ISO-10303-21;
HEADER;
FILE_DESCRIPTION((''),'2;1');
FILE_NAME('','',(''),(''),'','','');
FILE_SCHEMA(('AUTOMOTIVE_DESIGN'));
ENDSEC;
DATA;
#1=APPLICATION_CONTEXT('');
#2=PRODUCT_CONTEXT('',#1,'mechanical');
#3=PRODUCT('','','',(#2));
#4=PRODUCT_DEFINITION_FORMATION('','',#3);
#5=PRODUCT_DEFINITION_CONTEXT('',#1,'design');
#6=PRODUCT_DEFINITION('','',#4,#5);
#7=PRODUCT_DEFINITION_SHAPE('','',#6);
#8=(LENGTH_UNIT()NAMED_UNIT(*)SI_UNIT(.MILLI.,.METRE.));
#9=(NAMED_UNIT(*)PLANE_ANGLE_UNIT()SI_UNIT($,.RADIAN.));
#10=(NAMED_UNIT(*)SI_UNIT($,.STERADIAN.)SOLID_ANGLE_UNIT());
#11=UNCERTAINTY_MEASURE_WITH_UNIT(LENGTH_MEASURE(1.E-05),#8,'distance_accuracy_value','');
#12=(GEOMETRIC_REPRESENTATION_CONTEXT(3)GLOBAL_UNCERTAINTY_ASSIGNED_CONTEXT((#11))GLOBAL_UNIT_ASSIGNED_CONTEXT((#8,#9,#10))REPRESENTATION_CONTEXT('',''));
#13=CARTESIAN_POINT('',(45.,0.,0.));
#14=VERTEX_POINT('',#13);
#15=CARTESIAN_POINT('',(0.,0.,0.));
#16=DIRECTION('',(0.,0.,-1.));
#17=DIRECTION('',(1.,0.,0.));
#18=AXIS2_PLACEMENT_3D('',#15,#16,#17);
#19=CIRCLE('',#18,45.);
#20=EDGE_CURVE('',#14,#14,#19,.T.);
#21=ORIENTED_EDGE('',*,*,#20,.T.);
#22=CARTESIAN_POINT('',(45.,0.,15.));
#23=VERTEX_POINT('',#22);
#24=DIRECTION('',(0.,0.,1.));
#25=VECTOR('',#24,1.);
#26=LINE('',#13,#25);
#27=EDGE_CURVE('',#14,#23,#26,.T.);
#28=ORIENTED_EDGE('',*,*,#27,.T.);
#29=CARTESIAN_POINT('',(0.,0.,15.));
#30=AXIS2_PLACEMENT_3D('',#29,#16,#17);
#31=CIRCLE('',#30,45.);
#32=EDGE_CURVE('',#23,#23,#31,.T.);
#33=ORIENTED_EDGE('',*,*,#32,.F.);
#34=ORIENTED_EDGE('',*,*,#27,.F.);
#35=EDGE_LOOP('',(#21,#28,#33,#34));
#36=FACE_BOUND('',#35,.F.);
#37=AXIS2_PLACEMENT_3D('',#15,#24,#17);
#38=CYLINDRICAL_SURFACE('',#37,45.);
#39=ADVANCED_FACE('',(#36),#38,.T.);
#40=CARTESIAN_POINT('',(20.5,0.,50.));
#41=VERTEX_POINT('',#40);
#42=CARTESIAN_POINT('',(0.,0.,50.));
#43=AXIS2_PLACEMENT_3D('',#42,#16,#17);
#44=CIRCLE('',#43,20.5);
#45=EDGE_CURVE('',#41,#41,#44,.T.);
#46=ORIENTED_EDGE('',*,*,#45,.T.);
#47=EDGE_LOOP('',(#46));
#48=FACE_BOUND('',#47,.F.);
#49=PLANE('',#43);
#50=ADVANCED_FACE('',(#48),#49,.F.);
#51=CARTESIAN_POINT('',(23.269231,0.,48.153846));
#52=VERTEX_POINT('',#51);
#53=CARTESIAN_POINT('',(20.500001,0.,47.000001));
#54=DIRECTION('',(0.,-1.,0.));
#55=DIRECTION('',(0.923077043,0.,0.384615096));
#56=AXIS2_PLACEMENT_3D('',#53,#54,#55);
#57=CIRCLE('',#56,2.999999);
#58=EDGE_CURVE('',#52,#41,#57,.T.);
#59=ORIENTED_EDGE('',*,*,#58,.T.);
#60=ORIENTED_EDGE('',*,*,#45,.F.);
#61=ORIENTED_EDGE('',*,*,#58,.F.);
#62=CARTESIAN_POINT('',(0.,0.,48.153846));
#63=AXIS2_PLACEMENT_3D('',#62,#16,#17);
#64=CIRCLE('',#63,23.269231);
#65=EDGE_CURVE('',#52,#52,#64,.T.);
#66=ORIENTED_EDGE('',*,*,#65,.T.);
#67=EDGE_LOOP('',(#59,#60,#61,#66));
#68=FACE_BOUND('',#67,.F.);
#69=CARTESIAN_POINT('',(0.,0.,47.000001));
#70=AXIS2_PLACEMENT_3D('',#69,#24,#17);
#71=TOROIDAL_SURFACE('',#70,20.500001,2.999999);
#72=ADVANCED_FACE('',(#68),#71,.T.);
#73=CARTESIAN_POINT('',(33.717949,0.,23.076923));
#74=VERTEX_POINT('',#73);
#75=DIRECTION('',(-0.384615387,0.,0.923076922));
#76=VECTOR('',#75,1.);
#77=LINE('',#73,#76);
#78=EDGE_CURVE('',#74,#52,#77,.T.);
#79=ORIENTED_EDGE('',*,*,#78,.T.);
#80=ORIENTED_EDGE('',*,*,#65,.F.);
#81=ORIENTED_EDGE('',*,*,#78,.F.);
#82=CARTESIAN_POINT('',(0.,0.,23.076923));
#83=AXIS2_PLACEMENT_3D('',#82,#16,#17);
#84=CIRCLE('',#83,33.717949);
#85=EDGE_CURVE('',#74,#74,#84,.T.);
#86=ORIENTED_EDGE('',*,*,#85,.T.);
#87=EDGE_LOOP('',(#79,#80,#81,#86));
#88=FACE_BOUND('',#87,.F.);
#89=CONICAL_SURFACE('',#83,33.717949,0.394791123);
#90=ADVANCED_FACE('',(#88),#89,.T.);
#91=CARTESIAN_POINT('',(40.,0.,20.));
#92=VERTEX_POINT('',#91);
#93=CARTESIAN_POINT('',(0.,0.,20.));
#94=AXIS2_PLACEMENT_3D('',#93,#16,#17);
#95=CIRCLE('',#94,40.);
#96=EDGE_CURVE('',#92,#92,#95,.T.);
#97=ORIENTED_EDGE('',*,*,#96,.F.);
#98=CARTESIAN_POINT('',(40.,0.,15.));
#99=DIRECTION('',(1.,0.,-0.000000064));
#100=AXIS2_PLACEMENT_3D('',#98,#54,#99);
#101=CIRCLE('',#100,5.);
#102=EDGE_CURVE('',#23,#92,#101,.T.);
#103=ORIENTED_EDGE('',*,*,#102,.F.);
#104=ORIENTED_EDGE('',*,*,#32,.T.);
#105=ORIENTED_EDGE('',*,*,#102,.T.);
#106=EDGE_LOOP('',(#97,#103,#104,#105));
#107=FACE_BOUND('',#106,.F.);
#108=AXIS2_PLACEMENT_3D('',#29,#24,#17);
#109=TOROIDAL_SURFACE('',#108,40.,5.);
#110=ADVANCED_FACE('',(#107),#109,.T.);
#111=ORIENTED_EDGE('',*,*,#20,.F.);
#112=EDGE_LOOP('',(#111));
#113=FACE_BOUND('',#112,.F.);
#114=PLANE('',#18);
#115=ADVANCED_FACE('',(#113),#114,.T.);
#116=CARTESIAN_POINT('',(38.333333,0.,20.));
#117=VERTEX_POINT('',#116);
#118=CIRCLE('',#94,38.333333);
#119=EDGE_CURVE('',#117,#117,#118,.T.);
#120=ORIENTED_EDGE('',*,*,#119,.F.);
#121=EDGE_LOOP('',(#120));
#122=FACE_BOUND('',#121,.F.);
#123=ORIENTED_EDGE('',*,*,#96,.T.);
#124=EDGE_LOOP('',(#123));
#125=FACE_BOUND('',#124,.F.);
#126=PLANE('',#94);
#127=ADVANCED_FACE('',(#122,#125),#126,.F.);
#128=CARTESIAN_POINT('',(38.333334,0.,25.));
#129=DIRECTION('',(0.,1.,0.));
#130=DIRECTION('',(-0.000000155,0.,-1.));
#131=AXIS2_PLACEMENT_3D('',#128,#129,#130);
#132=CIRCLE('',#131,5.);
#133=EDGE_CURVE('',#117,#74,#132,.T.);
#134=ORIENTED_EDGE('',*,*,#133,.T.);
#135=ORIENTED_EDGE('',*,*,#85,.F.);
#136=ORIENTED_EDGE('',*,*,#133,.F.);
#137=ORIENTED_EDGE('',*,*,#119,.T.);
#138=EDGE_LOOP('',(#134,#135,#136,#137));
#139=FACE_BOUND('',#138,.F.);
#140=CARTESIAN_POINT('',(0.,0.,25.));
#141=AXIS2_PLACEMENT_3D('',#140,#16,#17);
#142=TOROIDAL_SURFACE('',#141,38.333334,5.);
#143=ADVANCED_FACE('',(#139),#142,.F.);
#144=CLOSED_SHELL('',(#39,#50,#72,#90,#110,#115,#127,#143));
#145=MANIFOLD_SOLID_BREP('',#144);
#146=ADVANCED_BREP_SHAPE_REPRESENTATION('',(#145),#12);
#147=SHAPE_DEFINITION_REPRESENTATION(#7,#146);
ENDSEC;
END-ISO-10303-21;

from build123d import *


with BuildPart() as f1:
    # F0 (on Front) → F1 (revolve)
    with BuildSketch(Plane.XZ):
        with BuildLine():
            Line((20.5, 50), (0, 50))
            Line((0, 50), (0, 0))
            Line((0, 0), (45, 0))
            Line((45, 0), (45, 15))
            ThreePointArc((45, 15), (43.535534, 18.535534), (40, 20))
            Line((40, 20), (38.333333, 20))
            ThreePointArc((38.333333, 20), (35.559832, 20.839749), (33.717949, 23.076923))
            Line((33.717949, 23.076923), (23.269231, 48.153846))
            ThreePointArc((23.269231, 48.153846), (22.164101, 49.496151), (20.5, 50))
        make_face()
    revolve(axis=Axis((0, 0, 11.951942), (0, 0, -1)))


solid = f1.part
